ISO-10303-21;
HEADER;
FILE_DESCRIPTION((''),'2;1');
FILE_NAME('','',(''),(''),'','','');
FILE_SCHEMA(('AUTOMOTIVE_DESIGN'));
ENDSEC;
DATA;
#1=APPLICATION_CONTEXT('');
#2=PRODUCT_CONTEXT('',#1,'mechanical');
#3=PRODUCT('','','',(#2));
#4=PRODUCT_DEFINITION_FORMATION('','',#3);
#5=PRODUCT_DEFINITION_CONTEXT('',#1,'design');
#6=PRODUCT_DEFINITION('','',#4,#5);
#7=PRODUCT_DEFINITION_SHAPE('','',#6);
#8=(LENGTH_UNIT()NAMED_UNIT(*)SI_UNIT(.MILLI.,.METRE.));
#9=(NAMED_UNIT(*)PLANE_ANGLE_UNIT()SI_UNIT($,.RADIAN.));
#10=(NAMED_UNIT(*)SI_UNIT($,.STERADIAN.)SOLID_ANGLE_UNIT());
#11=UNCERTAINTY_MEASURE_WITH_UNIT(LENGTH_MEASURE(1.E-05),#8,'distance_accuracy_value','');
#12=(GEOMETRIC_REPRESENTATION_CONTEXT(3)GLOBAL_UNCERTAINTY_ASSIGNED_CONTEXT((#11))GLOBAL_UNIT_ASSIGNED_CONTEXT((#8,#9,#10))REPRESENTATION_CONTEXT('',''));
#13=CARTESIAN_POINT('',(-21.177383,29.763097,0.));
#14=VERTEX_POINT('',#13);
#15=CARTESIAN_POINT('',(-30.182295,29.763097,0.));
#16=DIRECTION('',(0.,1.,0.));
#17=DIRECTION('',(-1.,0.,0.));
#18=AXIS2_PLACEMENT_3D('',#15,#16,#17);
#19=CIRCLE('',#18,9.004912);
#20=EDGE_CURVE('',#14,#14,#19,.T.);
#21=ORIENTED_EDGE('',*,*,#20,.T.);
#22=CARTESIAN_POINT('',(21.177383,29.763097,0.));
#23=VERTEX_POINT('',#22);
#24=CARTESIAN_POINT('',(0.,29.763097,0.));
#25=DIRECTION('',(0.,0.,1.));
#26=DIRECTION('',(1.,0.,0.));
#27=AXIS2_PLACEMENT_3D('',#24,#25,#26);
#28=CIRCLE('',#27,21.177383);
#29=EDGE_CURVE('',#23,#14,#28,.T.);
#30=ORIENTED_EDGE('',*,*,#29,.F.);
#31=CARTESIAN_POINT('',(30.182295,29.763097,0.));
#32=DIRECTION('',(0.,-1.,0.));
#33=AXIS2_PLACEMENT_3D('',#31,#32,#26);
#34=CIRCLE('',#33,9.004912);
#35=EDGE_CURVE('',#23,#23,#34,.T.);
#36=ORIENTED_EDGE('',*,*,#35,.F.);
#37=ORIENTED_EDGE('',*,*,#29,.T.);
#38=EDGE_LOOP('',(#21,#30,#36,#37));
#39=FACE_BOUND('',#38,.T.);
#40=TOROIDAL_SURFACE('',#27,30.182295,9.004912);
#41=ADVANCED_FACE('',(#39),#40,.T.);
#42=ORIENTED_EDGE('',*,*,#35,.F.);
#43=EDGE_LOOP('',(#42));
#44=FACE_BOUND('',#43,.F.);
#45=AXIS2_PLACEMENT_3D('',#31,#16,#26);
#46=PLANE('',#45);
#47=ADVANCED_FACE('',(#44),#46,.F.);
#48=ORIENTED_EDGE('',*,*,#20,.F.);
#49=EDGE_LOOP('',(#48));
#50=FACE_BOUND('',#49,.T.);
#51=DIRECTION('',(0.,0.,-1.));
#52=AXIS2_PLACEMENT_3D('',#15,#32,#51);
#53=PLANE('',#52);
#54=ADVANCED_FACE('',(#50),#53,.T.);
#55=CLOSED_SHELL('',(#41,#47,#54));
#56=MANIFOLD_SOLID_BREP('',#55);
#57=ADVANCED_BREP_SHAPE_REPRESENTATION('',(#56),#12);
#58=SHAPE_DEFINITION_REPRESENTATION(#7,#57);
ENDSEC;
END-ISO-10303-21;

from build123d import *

# Parameters (mm, degrees)
F3_R = 9.0049118621


with BuildPart() as f4:
    # F4: sweep along a path in F0
    with BuildLine(Plane.XY) as f4_path:
        ThreePointArc((30.1822945476, 29.7630969435), (0, 59.9453914911), (-30.1822945476, 29.7630969435))
    # F3 (on plane+point) → F4 (sweep)
    with BuildSketch(Plane.XZ.offset(-29.7630969435)):
        with Locations((-30.1822945476, 0)):
            Circle(F3_R)
    sweep(path=f4_path.line)


solid = f4.part
